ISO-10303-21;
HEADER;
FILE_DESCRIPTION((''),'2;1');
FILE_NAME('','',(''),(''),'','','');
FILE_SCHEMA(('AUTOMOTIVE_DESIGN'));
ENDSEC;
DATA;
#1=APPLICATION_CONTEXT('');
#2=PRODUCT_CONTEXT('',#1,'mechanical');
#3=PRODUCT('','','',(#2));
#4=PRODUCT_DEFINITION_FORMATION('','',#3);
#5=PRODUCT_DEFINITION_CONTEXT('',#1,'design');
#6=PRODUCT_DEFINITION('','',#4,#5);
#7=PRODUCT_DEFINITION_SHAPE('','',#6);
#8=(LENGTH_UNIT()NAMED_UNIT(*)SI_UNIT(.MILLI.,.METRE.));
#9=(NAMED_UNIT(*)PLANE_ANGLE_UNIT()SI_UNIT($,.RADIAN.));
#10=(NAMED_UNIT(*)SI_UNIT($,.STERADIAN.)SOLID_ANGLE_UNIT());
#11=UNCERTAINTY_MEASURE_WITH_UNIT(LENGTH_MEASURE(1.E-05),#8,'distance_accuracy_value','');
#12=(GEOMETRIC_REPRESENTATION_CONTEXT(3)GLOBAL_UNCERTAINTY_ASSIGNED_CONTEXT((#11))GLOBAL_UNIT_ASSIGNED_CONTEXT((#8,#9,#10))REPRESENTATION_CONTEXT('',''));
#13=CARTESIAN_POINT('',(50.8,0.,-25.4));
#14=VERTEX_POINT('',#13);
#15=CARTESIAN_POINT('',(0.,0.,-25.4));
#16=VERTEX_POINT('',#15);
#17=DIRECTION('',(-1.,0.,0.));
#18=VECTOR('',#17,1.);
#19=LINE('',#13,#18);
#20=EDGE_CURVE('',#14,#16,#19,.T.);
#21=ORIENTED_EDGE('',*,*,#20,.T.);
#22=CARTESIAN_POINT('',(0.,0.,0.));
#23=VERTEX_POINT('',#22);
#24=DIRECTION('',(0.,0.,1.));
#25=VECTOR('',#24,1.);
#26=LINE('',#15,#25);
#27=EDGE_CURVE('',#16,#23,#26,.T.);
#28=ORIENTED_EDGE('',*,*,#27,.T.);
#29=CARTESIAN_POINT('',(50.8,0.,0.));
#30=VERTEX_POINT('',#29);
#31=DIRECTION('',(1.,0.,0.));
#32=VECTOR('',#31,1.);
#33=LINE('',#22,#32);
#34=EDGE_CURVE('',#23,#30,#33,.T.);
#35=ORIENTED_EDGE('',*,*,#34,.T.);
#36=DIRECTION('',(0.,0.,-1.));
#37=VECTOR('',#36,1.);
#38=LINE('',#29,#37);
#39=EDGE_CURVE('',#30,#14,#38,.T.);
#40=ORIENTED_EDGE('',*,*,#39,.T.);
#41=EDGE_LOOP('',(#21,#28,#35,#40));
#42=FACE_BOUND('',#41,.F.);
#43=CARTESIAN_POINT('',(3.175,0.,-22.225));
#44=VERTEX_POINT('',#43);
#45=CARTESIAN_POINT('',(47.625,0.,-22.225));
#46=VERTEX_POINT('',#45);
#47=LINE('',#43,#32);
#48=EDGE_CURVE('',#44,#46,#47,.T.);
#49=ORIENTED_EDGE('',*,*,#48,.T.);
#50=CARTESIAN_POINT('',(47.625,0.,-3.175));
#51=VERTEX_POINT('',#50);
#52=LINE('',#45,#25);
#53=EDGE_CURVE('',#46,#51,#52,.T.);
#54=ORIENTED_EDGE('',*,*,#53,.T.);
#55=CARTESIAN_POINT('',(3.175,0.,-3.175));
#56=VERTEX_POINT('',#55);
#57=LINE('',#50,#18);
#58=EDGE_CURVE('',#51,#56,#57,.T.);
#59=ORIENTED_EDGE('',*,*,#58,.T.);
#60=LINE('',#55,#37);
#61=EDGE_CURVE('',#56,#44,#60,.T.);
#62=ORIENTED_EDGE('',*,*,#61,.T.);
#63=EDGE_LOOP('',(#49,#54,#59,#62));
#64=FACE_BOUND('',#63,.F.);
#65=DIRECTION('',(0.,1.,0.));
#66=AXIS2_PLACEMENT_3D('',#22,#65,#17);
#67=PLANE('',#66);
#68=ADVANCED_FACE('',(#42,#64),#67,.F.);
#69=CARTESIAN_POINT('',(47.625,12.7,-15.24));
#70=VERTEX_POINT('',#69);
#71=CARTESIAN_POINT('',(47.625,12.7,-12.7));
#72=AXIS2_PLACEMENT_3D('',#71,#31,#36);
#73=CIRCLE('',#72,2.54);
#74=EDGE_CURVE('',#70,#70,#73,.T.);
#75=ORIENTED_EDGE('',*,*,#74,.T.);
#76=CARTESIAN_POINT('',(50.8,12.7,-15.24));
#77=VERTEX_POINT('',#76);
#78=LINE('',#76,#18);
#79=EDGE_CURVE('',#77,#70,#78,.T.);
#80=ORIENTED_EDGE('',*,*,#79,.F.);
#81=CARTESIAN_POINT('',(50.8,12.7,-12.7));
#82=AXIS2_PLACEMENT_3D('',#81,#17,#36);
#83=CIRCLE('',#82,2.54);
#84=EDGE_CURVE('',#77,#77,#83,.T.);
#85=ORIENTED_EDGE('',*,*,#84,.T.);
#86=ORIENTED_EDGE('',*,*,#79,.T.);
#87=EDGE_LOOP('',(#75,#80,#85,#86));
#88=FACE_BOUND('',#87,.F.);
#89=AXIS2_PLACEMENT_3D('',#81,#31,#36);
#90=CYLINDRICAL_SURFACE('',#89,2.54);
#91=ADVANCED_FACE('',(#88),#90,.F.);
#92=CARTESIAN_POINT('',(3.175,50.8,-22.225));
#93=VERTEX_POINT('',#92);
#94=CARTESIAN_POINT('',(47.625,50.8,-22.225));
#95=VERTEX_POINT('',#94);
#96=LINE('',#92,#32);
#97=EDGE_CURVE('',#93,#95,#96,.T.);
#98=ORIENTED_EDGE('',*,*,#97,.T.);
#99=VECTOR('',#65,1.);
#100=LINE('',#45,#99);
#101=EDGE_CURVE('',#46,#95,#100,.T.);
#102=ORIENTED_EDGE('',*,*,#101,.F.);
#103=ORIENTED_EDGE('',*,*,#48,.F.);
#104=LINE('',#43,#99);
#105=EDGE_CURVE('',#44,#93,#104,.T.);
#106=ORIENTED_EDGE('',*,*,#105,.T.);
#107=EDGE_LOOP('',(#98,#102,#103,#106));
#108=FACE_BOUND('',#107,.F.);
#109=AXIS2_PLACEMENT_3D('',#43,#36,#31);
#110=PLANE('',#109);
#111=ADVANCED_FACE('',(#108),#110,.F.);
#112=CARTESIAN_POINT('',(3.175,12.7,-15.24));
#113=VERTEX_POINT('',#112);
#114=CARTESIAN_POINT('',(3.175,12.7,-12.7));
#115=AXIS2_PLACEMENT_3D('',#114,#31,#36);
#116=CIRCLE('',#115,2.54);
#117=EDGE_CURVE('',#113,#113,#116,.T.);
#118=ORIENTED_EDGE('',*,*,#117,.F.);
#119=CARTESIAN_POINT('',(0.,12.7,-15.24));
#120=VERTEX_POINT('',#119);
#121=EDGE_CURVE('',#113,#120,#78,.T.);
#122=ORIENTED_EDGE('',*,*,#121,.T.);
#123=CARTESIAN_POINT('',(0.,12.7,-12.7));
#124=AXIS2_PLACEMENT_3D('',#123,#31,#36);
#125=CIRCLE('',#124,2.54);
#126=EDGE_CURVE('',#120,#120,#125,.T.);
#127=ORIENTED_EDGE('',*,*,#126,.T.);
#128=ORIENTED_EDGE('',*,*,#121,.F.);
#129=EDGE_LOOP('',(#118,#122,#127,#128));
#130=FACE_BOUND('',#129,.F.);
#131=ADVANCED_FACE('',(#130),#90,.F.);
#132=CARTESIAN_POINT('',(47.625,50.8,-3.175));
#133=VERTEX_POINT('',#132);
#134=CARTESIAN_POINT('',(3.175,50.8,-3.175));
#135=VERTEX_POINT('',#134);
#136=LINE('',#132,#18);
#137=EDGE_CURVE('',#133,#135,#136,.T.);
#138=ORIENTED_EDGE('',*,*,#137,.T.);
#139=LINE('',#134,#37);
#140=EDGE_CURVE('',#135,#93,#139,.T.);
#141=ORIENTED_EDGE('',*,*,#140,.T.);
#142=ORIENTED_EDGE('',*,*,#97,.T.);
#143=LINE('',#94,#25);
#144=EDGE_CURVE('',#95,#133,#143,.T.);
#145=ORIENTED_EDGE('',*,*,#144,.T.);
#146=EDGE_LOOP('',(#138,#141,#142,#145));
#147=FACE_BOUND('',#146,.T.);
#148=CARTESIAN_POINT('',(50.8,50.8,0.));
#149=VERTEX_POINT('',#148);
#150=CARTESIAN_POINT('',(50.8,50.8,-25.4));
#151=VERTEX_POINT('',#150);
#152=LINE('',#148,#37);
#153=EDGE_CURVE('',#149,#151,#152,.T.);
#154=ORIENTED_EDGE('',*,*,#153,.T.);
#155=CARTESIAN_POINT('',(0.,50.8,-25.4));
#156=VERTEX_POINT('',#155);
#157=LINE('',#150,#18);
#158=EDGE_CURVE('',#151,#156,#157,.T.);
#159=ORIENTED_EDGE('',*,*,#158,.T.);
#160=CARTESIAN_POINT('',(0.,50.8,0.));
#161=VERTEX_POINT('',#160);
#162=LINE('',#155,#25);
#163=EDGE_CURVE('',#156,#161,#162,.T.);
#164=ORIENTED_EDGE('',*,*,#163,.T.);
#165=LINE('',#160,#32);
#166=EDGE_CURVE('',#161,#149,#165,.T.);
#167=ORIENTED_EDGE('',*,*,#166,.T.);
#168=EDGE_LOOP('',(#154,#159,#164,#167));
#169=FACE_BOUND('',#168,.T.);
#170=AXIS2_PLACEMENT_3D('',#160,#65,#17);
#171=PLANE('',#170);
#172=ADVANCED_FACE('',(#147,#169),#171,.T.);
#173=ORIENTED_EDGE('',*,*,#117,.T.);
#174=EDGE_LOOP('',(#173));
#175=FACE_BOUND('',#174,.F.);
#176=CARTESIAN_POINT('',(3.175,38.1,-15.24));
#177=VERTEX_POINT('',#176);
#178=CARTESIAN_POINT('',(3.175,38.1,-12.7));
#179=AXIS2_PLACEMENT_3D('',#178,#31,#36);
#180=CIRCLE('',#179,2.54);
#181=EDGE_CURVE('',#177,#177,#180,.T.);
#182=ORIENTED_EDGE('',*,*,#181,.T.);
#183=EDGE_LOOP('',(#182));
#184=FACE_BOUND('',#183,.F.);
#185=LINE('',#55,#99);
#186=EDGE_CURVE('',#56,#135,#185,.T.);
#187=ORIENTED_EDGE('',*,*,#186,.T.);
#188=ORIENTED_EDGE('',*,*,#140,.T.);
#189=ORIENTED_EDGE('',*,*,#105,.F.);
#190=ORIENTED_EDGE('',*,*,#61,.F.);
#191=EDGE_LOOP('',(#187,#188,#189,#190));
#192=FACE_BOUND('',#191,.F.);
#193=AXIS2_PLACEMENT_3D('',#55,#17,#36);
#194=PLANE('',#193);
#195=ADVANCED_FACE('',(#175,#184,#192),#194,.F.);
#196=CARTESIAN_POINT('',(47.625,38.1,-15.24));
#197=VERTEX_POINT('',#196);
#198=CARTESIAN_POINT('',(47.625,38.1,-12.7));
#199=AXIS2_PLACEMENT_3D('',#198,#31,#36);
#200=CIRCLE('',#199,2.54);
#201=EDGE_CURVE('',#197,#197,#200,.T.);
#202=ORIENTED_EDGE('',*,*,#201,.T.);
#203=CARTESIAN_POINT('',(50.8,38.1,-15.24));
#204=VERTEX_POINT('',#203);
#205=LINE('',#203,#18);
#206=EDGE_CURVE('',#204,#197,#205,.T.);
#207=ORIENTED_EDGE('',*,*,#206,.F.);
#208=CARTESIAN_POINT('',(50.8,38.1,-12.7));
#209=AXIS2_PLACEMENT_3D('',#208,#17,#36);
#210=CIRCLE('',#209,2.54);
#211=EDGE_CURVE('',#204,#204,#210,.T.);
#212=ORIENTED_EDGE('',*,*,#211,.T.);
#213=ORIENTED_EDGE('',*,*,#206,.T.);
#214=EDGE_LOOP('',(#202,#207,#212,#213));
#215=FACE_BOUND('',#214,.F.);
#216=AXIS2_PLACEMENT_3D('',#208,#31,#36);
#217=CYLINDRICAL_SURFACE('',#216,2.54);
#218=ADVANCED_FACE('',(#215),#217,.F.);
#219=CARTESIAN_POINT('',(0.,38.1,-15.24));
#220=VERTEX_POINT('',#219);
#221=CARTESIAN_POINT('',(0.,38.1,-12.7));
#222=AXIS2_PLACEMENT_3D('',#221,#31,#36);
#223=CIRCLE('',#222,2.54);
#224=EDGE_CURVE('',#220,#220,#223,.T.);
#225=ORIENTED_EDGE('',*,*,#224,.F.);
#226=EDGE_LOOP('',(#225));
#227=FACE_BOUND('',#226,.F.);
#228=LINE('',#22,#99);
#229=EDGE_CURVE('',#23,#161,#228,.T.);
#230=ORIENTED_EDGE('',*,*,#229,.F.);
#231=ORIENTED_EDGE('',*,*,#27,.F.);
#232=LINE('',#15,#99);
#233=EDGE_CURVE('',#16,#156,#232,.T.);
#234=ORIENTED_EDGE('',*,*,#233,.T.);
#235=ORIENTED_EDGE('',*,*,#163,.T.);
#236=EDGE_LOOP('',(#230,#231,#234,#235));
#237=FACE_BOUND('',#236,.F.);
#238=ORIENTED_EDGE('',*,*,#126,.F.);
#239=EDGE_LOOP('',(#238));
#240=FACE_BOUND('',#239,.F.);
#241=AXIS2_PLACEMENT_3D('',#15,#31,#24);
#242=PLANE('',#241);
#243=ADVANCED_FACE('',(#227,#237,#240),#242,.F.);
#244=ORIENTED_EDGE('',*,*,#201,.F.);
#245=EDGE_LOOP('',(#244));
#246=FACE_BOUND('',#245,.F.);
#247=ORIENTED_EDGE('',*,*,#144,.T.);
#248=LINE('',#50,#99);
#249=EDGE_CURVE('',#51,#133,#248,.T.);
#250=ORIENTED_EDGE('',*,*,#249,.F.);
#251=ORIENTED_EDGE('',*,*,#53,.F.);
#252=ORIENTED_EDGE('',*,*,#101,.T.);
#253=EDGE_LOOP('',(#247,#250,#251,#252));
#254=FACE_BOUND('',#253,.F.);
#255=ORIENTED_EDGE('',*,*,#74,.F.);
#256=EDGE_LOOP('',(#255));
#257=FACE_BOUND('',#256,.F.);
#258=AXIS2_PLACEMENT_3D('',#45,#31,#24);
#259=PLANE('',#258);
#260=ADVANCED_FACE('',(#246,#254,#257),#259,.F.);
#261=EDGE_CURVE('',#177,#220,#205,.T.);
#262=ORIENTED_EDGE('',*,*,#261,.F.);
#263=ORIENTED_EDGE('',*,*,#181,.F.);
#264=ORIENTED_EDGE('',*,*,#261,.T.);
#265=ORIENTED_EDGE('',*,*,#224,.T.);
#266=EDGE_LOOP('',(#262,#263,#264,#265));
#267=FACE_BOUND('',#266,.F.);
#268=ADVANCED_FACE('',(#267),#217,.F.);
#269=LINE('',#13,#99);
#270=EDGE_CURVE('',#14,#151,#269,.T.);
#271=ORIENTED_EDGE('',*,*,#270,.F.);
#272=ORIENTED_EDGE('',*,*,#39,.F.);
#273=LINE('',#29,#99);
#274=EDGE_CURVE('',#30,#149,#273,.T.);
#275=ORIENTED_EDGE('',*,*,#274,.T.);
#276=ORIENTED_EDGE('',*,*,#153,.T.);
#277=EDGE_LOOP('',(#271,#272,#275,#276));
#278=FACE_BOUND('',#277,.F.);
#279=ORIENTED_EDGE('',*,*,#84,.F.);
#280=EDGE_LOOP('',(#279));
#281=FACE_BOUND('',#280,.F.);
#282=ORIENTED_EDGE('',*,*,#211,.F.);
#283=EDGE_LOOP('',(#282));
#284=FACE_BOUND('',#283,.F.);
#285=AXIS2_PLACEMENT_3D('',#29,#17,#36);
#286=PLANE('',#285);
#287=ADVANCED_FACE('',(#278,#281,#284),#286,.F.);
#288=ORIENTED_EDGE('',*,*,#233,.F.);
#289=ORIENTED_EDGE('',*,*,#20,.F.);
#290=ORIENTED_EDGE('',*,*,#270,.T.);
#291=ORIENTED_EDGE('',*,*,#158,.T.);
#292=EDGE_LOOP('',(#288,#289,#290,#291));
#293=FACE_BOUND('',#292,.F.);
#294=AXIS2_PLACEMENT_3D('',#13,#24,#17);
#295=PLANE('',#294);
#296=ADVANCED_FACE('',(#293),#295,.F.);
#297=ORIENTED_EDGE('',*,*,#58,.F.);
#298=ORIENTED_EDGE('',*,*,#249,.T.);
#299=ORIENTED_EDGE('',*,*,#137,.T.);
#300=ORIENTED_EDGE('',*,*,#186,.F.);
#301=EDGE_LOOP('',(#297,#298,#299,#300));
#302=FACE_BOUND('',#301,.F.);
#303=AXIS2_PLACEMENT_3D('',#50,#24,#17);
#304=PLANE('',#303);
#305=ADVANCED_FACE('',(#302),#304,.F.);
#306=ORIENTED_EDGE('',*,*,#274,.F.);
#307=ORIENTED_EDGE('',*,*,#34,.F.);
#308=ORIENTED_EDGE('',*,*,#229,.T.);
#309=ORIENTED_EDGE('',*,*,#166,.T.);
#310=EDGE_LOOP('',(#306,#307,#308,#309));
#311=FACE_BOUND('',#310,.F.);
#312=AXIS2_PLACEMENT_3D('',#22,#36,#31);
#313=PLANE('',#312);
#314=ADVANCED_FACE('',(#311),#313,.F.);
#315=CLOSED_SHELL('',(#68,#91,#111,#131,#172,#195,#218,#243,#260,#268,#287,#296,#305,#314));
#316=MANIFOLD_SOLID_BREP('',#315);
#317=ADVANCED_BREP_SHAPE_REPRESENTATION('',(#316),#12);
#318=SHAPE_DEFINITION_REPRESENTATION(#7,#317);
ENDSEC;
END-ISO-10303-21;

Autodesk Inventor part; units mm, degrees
ref_plane "YZ Plane" through (0, 0, 0) normal (1, 0, 0) x (0, 1, 0)
ref_plane "XZ Plane" through (0, 0, 0) normal (0, 1, 0) x (-1, 0, 0)
ref_plane "XY Plane" through (0, 0, 0) normal (0, 0, 1) x (1, 0, 0)
sketch "Sketch1" plane through (0, 0, 0) normal (0, 1, 0) x (-1, 0, 0)
  line L0 (0, 0) -> (-50.8, 0)
  line L1 (-50.8, 0) -> (-50.8, -25.4)
  line L2 (-50.8, -25.4) -> (0, -25.4)
  line L3 (0, -25.4) -> (0, 0)
  line L4 (-3.175, -22.225) -> (-47.625, -22.225)
  line L5 (-47.625, -22.225) -> (-47.625, -3.175)
  line L6 (-47.625, -3.175) -> (-3.175, -3.175)
  line L7 (-3.175, -3.175) -> (-3.175, -22.225)
  dimension "d0" = 50.8
  dimension "d1" = 25.4
  dimension "d2" = 3.175
  dimension "d3" = 3.175
  dimension "d4" = 3.175
  dimension "d5" = 3.175
extrude "Extrusion1" add sketch "Sketch1" along normal blind 50.8
sketch "Sketch2" plane through (50.8, 0, 0) normal (1, 0, 0) x (0, 0, -1)
  line L0 (0, 0) -> (0, 50.8) projected
  line L1 (0, 0) -> (12.7, 0)
  line L2 (22.225, 0) -> (3.175, 0) projected
  line L3 (12.7, 0) -> (12.7, 12.7)
  line L4 (12.7, 12.7) -> (12.7, 38.1)
  circle A0 centre (12.7, 38.1) radius 2.54
  circle A1 centre (12.7, 12.7) radius 2.54
  dimension "d8" = 12.7
  dimension "d9" = 25.4
  dimension "d10" = 5.08
extrude "Extrusion2" cut sketch "Sketch2" against normal blind 61.9125
properties part number "1x2x2" material "Aluminum 6061"
